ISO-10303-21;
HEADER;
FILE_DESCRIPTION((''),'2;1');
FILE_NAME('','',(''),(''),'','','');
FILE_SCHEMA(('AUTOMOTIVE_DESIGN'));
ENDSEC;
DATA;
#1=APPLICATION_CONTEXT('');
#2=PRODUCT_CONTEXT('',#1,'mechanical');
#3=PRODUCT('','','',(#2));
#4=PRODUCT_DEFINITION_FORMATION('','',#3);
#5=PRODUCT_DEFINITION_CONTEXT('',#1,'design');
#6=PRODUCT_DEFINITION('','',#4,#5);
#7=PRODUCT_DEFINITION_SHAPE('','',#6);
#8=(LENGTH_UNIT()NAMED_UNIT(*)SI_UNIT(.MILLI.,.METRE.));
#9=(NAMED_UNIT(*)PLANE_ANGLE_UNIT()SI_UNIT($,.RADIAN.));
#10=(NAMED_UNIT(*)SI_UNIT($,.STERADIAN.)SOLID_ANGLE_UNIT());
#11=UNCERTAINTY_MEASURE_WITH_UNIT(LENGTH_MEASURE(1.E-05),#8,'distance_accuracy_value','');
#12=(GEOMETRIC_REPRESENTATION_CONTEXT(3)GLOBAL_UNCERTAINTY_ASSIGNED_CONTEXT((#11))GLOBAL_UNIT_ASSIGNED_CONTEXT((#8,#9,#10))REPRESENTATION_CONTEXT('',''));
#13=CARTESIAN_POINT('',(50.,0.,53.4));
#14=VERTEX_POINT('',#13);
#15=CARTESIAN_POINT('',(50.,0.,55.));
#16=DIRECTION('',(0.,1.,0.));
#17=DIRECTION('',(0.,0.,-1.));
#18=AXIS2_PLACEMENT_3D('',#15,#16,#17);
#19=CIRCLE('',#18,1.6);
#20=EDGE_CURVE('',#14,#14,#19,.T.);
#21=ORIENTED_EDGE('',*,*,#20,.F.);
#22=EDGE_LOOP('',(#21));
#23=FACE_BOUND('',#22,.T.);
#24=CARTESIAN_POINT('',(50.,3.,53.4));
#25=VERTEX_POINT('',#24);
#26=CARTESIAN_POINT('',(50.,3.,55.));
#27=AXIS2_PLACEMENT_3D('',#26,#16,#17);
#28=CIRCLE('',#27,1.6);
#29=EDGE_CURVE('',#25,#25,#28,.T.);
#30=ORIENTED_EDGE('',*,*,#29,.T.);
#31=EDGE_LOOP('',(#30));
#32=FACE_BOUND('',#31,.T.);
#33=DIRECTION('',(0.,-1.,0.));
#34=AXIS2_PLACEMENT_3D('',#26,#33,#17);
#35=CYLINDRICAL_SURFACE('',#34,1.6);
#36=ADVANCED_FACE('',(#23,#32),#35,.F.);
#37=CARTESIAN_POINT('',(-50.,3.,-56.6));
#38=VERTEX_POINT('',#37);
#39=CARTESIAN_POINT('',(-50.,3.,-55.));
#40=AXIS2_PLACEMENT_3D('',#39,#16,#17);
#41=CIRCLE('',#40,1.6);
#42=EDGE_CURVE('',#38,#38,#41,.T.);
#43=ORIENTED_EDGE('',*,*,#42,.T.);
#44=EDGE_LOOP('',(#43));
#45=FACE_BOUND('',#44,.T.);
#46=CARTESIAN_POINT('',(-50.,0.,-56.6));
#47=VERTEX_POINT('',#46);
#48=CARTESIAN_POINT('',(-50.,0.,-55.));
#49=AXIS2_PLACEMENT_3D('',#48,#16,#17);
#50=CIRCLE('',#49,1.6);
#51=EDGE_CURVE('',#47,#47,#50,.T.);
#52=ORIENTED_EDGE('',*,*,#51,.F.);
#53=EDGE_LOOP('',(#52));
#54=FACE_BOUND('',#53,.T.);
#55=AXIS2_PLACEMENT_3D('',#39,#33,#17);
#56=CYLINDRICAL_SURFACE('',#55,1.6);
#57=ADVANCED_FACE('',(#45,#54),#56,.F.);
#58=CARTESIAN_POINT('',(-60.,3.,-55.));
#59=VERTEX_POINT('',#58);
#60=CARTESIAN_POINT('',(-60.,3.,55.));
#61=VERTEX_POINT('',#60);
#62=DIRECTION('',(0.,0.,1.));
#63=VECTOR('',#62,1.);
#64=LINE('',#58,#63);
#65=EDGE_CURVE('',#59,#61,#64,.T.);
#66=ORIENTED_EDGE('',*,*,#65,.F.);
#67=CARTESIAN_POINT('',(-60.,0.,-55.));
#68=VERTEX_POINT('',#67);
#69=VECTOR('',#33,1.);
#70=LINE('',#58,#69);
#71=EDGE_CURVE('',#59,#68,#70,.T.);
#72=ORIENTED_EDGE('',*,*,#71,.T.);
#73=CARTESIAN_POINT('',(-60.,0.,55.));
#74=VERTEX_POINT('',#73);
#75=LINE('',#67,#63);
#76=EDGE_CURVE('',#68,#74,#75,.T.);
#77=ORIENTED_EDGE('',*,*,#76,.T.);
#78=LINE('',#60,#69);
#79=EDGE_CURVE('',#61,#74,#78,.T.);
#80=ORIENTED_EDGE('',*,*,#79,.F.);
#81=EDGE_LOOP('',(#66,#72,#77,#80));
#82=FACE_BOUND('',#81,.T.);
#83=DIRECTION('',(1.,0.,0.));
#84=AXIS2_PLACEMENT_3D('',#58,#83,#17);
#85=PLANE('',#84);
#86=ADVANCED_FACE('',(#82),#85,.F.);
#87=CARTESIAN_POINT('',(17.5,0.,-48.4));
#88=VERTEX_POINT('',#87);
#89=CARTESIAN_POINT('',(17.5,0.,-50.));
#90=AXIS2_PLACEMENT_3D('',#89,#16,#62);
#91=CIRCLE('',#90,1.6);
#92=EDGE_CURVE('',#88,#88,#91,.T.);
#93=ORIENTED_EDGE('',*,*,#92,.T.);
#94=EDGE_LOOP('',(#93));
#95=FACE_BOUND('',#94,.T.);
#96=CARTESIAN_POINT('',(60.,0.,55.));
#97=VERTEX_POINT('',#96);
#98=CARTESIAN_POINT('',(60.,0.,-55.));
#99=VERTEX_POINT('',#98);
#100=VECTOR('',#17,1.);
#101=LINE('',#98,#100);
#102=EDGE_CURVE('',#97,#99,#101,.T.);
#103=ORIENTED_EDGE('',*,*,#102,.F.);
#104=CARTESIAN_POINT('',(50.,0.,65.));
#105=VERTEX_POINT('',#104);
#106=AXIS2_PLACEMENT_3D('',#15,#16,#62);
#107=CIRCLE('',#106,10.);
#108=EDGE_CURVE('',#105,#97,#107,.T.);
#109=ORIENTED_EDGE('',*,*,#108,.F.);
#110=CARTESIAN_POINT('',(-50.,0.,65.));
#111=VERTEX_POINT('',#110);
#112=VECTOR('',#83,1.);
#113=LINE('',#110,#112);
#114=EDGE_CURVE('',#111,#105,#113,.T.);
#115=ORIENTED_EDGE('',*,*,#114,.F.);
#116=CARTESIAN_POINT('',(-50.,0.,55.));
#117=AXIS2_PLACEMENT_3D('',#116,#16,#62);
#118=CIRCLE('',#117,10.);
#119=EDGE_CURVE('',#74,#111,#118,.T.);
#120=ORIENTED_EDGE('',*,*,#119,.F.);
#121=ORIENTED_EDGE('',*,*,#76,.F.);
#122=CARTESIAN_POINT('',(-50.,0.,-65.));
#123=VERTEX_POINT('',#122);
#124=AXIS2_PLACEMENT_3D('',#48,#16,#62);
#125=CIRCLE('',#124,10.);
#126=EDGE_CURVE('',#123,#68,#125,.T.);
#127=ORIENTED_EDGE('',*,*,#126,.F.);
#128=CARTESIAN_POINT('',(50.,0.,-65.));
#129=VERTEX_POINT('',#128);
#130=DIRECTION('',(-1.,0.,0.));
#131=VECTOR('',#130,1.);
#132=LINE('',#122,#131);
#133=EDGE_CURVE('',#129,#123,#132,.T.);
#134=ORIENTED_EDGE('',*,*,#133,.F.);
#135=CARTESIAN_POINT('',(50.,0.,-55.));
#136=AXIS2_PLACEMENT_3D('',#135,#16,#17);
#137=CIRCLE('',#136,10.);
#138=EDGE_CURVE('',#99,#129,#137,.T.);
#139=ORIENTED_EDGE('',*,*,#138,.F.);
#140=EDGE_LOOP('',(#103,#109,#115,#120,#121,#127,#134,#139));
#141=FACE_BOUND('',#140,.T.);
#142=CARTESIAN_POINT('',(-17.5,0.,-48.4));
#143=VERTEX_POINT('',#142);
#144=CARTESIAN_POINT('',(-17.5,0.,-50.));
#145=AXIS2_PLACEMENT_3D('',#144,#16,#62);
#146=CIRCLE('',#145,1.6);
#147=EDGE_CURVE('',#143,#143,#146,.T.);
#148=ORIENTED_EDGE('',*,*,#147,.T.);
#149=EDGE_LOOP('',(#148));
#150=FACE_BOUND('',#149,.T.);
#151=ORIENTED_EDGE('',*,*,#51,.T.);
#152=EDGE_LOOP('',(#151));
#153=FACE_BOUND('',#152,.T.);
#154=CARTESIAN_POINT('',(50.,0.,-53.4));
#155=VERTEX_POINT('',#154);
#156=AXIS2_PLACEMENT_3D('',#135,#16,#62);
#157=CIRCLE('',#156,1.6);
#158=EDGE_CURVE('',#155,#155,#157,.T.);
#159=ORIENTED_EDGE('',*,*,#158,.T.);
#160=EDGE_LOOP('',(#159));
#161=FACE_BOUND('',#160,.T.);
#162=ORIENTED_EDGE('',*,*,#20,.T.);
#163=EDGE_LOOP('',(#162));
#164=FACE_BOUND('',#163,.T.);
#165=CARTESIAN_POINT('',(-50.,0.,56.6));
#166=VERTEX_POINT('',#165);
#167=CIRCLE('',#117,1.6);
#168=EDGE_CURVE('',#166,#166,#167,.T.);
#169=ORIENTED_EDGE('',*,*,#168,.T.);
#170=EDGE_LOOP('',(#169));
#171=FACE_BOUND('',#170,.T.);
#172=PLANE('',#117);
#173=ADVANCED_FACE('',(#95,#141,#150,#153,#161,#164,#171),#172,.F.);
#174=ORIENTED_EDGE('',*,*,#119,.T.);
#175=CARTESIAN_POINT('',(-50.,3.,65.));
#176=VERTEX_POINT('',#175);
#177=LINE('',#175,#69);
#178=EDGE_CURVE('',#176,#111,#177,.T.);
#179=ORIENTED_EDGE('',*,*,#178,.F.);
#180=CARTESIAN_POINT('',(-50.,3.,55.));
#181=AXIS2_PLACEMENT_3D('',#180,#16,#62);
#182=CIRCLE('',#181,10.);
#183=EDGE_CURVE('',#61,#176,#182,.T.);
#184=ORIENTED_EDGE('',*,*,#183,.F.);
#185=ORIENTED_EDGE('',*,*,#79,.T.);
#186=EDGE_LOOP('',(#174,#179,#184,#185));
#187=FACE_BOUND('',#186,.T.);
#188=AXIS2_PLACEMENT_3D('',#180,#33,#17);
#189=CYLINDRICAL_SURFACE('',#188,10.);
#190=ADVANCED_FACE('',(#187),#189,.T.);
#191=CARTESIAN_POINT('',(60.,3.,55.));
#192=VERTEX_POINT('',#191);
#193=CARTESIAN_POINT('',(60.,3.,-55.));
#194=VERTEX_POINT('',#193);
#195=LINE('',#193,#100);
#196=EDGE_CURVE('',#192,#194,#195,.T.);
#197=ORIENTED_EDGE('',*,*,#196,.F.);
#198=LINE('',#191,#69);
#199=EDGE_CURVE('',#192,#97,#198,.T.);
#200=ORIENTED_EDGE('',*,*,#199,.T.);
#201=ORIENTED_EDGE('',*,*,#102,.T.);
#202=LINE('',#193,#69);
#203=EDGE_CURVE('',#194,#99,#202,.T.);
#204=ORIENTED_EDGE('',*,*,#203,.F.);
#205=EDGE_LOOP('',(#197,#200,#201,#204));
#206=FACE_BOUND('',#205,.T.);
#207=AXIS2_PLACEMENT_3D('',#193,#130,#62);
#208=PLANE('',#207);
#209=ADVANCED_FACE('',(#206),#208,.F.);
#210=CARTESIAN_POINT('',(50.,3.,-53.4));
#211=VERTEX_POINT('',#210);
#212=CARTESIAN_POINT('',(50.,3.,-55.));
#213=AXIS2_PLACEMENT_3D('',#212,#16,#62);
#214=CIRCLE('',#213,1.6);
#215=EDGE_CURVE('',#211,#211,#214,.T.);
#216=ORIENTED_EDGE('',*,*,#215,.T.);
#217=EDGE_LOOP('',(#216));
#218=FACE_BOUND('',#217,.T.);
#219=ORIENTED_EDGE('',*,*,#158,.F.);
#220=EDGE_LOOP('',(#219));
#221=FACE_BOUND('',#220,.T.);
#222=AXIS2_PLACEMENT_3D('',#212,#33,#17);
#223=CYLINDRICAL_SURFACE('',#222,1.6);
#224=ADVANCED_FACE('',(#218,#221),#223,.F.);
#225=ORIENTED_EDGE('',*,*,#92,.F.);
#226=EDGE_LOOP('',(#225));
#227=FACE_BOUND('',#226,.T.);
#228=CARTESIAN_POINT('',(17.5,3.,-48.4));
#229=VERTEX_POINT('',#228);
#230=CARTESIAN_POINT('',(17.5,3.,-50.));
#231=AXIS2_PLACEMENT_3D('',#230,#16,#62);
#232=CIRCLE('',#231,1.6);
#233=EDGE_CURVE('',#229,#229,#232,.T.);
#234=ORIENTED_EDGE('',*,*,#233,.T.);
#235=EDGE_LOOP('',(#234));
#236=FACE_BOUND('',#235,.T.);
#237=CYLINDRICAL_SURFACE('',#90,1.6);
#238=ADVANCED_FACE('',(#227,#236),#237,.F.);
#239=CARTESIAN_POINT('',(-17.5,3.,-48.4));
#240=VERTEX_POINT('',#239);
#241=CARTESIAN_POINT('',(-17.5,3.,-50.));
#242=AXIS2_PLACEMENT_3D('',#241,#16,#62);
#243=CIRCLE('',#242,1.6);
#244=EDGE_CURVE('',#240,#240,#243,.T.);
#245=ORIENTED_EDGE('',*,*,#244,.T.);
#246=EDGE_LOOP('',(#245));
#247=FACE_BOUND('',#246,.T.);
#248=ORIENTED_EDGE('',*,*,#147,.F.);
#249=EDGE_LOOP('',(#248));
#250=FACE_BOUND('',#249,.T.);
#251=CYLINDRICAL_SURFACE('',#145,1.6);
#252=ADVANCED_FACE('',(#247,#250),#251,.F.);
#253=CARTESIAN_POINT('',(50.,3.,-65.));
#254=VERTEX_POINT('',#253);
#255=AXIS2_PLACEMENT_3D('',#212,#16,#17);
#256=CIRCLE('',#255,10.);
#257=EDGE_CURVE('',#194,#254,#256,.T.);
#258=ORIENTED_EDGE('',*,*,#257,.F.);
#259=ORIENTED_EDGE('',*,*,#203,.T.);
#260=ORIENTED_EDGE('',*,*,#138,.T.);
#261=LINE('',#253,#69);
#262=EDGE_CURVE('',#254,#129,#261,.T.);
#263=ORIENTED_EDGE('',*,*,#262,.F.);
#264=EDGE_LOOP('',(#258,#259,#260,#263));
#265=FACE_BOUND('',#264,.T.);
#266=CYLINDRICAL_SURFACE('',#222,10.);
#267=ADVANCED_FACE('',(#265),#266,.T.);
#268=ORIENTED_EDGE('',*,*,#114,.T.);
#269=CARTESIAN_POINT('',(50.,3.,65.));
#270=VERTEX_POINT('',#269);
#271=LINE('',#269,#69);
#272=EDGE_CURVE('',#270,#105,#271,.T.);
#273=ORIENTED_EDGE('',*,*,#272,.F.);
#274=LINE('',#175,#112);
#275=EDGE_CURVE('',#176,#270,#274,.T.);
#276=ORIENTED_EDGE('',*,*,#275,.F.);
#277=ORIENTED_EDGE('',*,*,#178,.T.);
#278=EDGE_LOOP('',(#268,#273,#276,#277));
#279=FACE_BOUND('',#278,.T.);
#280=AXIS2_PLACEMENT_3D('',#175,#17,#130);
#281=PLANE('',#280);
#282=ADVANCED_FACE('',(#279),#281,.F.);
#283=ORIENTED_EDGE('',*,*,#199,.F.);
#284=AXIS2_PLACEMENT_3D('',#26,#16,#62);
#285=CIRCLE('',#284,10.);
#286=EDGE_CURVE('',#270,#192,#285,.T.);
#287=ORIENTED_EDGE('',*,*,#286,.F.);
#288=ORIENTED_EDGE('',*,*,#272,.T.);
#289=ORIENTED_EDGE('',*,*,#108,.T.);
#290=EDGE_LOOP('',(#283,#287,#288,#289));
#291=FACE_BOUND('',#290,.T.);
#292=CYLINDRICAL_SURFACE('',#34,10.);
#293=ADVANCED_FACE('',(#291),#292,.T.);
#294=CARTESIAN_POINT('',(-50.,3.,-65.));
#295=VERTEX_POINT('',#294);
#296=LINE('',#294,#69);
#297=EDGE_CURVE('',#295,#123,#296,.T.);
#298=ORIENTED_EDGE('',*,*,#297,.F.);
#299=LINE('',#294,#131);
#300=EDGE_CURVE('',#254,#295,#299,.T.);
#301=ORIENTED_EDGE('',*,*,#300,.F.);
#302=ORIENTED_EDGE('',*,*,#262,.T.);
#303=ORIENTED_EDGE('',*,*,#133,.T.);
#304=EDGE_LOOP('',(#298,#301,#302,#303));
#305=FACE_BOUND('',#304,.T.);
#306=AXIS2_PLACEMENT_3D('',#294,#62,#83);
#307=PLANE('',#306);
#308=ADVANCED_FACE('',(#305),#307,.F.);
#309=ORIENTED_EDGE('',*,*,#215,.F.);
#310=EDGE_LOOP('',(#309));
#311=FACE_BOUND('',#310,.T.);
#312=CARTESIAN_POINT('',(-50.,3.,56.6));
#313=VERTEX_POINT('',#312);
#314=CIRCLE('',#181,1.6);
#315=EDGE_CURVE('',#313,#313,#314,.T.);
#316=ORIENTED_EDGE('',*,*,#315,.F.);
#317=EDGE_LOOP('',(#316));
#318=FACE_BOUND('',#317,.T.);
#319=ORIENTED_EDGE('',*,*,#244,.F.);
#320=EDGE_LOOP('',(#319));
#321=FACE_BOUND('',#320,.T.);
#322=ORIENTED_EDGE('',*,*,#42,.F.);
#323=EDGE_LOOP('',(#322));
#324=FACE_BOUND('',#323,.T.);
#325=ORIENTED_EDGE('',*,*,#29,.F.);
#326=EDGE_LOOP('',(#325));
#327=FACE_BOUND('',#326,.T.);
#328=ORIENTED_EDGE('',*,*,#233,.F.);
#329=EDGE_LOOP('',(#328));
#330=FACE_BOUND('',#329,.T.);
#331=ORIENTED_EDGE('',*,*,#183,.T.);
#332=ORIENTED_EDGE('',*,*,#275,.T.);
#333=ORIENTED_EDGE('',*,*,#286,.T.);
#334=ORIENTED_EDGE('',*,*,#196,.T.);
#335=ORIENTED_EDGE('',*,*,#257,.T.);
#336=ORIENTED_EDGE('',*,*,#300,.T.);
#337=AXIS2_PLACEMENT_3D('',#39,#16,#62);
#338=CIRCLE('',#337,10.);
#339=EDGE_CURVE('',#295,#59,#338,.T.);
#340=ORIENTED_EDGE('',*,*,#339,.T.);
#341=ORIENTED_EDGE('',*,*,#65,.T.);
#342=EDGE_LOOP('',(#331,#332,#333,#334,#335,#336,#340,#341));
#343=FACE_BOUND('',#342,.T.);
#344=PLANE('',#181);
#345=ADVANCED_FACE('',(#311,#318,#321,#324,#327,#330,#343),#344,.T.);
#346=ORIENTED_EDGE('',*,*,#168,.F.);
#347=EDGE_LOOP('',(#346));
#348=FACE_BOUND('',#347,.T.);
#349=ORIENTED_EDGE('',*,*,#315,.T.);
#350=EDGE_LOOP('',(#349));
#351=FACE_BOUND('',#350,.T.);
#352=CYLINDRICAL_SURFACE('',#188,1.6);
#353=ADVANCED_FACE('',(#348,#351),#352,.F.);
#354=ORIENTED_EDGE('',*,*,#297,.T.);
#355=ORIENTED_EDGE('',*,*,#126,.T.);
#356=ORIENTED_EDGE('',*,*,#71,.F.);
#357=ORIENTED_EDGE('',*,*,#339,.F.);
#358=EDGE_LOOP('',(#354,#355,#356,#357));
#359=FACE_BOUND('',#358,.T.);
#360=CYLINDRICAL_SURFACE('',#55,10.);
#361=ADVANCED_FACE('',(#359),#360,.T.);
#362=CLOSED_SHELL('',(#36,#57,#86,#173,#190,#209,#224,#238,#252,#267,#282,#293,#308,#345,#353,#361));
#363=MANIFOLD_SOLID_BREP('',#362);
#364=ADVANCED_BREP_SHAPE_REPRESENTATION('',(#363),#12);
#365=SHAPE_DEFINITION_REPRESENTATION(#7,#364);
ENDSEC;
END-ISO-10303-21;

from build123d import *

# Parameters (mm, degrees)
SKETCH1_R           = 1.6
BOSS_EXTRUDE1_DEPTH = 3
SKETCH2_R           = 1.6
CUT_EXTRUDE1_DEPTH  = 89.509886453


with BuildPart() as part:
    # Sketch1 → Boss-Extrude1 (new body)
    with BuildSketch(Plane(origin=(0, 0, 0), x_dir=(1, 0, 0), z_dir=(0, 1, 0))):
        with BuildLine():
            Line((-50, 65), (50, 65))
            ThreePointArc((50, 65), (57.071067812, 62.071067812), (60, 55))
            Line((60, 55), (60, -55))
            ThreePointArc((60, -55), (57.071067812, -62.071067812), (50, -65))
            Line((50, -65), (-50, -65))
            ThreePointArc((-50, -65), (-57.071067812, -62.071067812), (-60, -55))
            Line((-60, -55), (-60, 55))
            ThreePointArc((-60, 55), (-57.071067812, 62.071067812), (-50, 65))
        make_face()
        with Locations(Location((50, -55, 0), (0, 0, 90))):
            Circle(SKETCH1_R, mode=Mode.SUBTRACT)
        with Locations(Location((-50, -55, 0), (0, 0, 270))):
            Circle(SKETCH1_R, mode=Mode.SUBTRACT)
        with Locations(Location((50, 55, 0), (0, 0, 270))):
            Circle(SKETCH1_R, mode=Mode.SUBTRACT)
        with Locations(Location((-50, 55, 0), (0, 0, 90))):
            Circle(SKETCH1_R, mode=Mode.SUBTRACT)
    extrude(amount=BOSS_EXTRUDE1_DEPTH)

    # Sketch2 → Cut-Extrude1 (cut, through all)
    with BuildSketch(Plane(origin=(0, 3, 0), x_dir=(1, 0, 0), z_dir=(0, 1, 0))):
        with Locations(Location((-17.5, 50, 0), (0, 0, 270))):
            Circle(SKETCH2_R)
        with Locations(Location((17.5, 50, 0), (0, 0, 270))):
            Circle(SKETCH2_R)
    extrude(amount=-CUT_EXTRUDE1_DEPTH, mode=Mode.SUBTRACT)


solid = part.part
